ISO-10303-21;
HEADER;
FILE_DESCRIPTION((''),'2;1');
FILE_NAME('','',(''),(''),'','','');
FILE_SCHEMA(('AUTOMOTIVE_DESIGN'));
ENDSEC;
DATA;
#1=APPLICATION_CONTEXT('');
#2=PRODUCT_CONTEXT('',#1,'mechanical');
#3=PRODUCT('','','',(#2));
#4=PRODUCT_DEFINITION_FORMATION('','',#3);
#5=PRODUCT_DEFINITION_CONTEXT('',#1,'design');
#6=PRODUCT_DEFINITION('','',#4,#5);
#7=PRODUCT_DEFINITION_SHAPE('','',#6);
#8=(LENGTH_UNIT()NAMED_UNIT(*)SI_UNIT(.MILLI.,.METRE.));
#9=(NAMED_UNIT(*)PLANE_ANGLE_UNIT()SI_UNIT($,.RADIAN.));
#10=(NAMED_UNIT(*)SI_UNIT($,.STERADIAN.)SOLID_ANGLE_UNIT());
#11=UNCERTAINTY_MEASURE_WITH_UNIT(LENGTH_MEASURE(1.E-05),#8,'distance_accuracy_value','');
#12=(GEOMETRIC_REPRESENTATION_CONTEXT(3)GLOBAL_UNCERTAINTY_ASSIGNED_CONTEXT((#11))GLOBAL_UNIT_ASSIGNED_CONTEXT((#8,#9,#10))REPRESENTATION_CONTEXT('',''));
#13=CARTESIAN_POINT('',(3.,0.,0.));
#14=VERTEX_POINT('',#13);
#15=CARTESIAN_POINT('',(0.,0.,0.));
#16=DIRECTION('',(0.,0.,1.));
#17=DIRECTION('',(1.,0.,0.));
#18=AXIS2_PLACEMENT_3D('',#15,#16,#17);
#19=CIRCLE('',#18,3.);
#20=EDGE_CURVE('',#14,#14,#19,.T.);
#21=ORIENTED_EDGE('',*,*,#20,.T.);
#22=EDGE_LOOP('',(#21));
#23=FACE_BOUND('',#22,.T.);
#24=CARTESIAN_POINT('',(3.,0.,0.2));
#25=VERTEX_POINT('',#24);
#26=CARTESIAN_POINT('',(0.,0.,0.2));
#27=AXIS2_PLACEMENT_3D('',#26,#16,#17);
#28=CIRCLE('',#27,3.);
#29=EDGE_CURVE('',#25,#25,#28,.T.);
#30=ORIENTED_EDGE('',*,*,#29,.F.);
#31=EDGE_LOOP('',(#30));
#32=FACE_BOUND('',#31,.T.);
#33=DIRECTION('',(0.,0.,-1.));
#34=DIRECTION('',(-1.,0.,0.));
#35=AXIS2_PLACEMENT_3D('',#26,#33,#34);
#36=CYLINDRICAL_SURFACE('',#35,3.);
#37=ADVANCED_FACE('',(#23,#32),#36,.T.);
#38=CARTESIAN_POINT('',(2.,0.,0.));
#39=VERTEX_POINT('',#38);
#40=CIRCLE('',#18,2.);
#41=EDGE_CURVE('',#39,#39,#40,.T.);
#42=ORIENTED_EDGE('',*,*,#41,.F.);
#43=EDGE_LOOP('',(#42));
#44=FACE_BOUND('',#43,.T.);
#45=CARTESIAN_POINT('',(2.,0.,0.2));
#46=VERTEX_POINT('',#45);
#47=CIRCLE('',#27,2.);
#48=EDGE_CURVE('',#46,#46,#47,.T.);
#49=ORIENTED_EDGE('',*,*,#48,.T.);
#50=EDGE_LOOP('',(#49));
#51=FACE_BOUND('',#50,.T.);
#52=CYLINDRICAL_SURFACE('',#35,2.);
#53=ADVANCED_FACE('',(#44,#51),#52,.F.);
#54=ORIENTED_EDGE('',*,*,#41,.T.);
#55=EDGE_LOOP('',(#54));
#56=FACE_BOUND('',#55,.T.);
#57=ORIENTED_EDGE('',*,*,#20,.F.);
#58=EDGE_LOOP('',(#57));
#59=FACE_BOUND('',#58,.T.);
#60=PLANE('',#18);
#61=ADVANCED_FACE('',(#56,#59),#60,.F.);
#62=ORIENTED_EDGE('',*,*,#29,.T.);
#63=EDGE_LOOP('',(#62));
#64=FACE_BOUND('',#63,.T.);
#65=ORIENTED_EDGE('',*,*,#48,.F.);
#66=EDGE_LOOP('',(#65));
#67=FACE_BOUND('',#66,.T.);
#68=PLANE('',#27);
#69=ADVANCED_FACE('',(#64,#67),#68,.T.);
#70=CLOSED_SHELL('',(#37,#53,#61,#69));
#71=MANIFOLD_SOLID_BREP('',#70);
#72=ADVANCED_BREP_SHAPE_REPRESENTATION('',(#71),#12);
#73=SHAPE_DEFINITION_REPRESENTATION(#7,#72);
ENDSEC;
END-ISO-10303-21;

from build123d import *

# Parameters (mm, degrees)
SKETCH_1_R      = 3
SKETCH_1_R_2    = 2
EXTRUDE_1_DEPTH = 0.2


with BuildPart() as part:
    # 草图1 → 凸台-拉伸1 (new body)
    with BuildSketch(Plane.XY):
        Circle(SKETCH_1_R)
        Circle(SKETCH_1_R_2, mode=Mode.SUBTRACT)
    extrude(amount=EXTRUDE_1_DEPTH)


solid = part.part
